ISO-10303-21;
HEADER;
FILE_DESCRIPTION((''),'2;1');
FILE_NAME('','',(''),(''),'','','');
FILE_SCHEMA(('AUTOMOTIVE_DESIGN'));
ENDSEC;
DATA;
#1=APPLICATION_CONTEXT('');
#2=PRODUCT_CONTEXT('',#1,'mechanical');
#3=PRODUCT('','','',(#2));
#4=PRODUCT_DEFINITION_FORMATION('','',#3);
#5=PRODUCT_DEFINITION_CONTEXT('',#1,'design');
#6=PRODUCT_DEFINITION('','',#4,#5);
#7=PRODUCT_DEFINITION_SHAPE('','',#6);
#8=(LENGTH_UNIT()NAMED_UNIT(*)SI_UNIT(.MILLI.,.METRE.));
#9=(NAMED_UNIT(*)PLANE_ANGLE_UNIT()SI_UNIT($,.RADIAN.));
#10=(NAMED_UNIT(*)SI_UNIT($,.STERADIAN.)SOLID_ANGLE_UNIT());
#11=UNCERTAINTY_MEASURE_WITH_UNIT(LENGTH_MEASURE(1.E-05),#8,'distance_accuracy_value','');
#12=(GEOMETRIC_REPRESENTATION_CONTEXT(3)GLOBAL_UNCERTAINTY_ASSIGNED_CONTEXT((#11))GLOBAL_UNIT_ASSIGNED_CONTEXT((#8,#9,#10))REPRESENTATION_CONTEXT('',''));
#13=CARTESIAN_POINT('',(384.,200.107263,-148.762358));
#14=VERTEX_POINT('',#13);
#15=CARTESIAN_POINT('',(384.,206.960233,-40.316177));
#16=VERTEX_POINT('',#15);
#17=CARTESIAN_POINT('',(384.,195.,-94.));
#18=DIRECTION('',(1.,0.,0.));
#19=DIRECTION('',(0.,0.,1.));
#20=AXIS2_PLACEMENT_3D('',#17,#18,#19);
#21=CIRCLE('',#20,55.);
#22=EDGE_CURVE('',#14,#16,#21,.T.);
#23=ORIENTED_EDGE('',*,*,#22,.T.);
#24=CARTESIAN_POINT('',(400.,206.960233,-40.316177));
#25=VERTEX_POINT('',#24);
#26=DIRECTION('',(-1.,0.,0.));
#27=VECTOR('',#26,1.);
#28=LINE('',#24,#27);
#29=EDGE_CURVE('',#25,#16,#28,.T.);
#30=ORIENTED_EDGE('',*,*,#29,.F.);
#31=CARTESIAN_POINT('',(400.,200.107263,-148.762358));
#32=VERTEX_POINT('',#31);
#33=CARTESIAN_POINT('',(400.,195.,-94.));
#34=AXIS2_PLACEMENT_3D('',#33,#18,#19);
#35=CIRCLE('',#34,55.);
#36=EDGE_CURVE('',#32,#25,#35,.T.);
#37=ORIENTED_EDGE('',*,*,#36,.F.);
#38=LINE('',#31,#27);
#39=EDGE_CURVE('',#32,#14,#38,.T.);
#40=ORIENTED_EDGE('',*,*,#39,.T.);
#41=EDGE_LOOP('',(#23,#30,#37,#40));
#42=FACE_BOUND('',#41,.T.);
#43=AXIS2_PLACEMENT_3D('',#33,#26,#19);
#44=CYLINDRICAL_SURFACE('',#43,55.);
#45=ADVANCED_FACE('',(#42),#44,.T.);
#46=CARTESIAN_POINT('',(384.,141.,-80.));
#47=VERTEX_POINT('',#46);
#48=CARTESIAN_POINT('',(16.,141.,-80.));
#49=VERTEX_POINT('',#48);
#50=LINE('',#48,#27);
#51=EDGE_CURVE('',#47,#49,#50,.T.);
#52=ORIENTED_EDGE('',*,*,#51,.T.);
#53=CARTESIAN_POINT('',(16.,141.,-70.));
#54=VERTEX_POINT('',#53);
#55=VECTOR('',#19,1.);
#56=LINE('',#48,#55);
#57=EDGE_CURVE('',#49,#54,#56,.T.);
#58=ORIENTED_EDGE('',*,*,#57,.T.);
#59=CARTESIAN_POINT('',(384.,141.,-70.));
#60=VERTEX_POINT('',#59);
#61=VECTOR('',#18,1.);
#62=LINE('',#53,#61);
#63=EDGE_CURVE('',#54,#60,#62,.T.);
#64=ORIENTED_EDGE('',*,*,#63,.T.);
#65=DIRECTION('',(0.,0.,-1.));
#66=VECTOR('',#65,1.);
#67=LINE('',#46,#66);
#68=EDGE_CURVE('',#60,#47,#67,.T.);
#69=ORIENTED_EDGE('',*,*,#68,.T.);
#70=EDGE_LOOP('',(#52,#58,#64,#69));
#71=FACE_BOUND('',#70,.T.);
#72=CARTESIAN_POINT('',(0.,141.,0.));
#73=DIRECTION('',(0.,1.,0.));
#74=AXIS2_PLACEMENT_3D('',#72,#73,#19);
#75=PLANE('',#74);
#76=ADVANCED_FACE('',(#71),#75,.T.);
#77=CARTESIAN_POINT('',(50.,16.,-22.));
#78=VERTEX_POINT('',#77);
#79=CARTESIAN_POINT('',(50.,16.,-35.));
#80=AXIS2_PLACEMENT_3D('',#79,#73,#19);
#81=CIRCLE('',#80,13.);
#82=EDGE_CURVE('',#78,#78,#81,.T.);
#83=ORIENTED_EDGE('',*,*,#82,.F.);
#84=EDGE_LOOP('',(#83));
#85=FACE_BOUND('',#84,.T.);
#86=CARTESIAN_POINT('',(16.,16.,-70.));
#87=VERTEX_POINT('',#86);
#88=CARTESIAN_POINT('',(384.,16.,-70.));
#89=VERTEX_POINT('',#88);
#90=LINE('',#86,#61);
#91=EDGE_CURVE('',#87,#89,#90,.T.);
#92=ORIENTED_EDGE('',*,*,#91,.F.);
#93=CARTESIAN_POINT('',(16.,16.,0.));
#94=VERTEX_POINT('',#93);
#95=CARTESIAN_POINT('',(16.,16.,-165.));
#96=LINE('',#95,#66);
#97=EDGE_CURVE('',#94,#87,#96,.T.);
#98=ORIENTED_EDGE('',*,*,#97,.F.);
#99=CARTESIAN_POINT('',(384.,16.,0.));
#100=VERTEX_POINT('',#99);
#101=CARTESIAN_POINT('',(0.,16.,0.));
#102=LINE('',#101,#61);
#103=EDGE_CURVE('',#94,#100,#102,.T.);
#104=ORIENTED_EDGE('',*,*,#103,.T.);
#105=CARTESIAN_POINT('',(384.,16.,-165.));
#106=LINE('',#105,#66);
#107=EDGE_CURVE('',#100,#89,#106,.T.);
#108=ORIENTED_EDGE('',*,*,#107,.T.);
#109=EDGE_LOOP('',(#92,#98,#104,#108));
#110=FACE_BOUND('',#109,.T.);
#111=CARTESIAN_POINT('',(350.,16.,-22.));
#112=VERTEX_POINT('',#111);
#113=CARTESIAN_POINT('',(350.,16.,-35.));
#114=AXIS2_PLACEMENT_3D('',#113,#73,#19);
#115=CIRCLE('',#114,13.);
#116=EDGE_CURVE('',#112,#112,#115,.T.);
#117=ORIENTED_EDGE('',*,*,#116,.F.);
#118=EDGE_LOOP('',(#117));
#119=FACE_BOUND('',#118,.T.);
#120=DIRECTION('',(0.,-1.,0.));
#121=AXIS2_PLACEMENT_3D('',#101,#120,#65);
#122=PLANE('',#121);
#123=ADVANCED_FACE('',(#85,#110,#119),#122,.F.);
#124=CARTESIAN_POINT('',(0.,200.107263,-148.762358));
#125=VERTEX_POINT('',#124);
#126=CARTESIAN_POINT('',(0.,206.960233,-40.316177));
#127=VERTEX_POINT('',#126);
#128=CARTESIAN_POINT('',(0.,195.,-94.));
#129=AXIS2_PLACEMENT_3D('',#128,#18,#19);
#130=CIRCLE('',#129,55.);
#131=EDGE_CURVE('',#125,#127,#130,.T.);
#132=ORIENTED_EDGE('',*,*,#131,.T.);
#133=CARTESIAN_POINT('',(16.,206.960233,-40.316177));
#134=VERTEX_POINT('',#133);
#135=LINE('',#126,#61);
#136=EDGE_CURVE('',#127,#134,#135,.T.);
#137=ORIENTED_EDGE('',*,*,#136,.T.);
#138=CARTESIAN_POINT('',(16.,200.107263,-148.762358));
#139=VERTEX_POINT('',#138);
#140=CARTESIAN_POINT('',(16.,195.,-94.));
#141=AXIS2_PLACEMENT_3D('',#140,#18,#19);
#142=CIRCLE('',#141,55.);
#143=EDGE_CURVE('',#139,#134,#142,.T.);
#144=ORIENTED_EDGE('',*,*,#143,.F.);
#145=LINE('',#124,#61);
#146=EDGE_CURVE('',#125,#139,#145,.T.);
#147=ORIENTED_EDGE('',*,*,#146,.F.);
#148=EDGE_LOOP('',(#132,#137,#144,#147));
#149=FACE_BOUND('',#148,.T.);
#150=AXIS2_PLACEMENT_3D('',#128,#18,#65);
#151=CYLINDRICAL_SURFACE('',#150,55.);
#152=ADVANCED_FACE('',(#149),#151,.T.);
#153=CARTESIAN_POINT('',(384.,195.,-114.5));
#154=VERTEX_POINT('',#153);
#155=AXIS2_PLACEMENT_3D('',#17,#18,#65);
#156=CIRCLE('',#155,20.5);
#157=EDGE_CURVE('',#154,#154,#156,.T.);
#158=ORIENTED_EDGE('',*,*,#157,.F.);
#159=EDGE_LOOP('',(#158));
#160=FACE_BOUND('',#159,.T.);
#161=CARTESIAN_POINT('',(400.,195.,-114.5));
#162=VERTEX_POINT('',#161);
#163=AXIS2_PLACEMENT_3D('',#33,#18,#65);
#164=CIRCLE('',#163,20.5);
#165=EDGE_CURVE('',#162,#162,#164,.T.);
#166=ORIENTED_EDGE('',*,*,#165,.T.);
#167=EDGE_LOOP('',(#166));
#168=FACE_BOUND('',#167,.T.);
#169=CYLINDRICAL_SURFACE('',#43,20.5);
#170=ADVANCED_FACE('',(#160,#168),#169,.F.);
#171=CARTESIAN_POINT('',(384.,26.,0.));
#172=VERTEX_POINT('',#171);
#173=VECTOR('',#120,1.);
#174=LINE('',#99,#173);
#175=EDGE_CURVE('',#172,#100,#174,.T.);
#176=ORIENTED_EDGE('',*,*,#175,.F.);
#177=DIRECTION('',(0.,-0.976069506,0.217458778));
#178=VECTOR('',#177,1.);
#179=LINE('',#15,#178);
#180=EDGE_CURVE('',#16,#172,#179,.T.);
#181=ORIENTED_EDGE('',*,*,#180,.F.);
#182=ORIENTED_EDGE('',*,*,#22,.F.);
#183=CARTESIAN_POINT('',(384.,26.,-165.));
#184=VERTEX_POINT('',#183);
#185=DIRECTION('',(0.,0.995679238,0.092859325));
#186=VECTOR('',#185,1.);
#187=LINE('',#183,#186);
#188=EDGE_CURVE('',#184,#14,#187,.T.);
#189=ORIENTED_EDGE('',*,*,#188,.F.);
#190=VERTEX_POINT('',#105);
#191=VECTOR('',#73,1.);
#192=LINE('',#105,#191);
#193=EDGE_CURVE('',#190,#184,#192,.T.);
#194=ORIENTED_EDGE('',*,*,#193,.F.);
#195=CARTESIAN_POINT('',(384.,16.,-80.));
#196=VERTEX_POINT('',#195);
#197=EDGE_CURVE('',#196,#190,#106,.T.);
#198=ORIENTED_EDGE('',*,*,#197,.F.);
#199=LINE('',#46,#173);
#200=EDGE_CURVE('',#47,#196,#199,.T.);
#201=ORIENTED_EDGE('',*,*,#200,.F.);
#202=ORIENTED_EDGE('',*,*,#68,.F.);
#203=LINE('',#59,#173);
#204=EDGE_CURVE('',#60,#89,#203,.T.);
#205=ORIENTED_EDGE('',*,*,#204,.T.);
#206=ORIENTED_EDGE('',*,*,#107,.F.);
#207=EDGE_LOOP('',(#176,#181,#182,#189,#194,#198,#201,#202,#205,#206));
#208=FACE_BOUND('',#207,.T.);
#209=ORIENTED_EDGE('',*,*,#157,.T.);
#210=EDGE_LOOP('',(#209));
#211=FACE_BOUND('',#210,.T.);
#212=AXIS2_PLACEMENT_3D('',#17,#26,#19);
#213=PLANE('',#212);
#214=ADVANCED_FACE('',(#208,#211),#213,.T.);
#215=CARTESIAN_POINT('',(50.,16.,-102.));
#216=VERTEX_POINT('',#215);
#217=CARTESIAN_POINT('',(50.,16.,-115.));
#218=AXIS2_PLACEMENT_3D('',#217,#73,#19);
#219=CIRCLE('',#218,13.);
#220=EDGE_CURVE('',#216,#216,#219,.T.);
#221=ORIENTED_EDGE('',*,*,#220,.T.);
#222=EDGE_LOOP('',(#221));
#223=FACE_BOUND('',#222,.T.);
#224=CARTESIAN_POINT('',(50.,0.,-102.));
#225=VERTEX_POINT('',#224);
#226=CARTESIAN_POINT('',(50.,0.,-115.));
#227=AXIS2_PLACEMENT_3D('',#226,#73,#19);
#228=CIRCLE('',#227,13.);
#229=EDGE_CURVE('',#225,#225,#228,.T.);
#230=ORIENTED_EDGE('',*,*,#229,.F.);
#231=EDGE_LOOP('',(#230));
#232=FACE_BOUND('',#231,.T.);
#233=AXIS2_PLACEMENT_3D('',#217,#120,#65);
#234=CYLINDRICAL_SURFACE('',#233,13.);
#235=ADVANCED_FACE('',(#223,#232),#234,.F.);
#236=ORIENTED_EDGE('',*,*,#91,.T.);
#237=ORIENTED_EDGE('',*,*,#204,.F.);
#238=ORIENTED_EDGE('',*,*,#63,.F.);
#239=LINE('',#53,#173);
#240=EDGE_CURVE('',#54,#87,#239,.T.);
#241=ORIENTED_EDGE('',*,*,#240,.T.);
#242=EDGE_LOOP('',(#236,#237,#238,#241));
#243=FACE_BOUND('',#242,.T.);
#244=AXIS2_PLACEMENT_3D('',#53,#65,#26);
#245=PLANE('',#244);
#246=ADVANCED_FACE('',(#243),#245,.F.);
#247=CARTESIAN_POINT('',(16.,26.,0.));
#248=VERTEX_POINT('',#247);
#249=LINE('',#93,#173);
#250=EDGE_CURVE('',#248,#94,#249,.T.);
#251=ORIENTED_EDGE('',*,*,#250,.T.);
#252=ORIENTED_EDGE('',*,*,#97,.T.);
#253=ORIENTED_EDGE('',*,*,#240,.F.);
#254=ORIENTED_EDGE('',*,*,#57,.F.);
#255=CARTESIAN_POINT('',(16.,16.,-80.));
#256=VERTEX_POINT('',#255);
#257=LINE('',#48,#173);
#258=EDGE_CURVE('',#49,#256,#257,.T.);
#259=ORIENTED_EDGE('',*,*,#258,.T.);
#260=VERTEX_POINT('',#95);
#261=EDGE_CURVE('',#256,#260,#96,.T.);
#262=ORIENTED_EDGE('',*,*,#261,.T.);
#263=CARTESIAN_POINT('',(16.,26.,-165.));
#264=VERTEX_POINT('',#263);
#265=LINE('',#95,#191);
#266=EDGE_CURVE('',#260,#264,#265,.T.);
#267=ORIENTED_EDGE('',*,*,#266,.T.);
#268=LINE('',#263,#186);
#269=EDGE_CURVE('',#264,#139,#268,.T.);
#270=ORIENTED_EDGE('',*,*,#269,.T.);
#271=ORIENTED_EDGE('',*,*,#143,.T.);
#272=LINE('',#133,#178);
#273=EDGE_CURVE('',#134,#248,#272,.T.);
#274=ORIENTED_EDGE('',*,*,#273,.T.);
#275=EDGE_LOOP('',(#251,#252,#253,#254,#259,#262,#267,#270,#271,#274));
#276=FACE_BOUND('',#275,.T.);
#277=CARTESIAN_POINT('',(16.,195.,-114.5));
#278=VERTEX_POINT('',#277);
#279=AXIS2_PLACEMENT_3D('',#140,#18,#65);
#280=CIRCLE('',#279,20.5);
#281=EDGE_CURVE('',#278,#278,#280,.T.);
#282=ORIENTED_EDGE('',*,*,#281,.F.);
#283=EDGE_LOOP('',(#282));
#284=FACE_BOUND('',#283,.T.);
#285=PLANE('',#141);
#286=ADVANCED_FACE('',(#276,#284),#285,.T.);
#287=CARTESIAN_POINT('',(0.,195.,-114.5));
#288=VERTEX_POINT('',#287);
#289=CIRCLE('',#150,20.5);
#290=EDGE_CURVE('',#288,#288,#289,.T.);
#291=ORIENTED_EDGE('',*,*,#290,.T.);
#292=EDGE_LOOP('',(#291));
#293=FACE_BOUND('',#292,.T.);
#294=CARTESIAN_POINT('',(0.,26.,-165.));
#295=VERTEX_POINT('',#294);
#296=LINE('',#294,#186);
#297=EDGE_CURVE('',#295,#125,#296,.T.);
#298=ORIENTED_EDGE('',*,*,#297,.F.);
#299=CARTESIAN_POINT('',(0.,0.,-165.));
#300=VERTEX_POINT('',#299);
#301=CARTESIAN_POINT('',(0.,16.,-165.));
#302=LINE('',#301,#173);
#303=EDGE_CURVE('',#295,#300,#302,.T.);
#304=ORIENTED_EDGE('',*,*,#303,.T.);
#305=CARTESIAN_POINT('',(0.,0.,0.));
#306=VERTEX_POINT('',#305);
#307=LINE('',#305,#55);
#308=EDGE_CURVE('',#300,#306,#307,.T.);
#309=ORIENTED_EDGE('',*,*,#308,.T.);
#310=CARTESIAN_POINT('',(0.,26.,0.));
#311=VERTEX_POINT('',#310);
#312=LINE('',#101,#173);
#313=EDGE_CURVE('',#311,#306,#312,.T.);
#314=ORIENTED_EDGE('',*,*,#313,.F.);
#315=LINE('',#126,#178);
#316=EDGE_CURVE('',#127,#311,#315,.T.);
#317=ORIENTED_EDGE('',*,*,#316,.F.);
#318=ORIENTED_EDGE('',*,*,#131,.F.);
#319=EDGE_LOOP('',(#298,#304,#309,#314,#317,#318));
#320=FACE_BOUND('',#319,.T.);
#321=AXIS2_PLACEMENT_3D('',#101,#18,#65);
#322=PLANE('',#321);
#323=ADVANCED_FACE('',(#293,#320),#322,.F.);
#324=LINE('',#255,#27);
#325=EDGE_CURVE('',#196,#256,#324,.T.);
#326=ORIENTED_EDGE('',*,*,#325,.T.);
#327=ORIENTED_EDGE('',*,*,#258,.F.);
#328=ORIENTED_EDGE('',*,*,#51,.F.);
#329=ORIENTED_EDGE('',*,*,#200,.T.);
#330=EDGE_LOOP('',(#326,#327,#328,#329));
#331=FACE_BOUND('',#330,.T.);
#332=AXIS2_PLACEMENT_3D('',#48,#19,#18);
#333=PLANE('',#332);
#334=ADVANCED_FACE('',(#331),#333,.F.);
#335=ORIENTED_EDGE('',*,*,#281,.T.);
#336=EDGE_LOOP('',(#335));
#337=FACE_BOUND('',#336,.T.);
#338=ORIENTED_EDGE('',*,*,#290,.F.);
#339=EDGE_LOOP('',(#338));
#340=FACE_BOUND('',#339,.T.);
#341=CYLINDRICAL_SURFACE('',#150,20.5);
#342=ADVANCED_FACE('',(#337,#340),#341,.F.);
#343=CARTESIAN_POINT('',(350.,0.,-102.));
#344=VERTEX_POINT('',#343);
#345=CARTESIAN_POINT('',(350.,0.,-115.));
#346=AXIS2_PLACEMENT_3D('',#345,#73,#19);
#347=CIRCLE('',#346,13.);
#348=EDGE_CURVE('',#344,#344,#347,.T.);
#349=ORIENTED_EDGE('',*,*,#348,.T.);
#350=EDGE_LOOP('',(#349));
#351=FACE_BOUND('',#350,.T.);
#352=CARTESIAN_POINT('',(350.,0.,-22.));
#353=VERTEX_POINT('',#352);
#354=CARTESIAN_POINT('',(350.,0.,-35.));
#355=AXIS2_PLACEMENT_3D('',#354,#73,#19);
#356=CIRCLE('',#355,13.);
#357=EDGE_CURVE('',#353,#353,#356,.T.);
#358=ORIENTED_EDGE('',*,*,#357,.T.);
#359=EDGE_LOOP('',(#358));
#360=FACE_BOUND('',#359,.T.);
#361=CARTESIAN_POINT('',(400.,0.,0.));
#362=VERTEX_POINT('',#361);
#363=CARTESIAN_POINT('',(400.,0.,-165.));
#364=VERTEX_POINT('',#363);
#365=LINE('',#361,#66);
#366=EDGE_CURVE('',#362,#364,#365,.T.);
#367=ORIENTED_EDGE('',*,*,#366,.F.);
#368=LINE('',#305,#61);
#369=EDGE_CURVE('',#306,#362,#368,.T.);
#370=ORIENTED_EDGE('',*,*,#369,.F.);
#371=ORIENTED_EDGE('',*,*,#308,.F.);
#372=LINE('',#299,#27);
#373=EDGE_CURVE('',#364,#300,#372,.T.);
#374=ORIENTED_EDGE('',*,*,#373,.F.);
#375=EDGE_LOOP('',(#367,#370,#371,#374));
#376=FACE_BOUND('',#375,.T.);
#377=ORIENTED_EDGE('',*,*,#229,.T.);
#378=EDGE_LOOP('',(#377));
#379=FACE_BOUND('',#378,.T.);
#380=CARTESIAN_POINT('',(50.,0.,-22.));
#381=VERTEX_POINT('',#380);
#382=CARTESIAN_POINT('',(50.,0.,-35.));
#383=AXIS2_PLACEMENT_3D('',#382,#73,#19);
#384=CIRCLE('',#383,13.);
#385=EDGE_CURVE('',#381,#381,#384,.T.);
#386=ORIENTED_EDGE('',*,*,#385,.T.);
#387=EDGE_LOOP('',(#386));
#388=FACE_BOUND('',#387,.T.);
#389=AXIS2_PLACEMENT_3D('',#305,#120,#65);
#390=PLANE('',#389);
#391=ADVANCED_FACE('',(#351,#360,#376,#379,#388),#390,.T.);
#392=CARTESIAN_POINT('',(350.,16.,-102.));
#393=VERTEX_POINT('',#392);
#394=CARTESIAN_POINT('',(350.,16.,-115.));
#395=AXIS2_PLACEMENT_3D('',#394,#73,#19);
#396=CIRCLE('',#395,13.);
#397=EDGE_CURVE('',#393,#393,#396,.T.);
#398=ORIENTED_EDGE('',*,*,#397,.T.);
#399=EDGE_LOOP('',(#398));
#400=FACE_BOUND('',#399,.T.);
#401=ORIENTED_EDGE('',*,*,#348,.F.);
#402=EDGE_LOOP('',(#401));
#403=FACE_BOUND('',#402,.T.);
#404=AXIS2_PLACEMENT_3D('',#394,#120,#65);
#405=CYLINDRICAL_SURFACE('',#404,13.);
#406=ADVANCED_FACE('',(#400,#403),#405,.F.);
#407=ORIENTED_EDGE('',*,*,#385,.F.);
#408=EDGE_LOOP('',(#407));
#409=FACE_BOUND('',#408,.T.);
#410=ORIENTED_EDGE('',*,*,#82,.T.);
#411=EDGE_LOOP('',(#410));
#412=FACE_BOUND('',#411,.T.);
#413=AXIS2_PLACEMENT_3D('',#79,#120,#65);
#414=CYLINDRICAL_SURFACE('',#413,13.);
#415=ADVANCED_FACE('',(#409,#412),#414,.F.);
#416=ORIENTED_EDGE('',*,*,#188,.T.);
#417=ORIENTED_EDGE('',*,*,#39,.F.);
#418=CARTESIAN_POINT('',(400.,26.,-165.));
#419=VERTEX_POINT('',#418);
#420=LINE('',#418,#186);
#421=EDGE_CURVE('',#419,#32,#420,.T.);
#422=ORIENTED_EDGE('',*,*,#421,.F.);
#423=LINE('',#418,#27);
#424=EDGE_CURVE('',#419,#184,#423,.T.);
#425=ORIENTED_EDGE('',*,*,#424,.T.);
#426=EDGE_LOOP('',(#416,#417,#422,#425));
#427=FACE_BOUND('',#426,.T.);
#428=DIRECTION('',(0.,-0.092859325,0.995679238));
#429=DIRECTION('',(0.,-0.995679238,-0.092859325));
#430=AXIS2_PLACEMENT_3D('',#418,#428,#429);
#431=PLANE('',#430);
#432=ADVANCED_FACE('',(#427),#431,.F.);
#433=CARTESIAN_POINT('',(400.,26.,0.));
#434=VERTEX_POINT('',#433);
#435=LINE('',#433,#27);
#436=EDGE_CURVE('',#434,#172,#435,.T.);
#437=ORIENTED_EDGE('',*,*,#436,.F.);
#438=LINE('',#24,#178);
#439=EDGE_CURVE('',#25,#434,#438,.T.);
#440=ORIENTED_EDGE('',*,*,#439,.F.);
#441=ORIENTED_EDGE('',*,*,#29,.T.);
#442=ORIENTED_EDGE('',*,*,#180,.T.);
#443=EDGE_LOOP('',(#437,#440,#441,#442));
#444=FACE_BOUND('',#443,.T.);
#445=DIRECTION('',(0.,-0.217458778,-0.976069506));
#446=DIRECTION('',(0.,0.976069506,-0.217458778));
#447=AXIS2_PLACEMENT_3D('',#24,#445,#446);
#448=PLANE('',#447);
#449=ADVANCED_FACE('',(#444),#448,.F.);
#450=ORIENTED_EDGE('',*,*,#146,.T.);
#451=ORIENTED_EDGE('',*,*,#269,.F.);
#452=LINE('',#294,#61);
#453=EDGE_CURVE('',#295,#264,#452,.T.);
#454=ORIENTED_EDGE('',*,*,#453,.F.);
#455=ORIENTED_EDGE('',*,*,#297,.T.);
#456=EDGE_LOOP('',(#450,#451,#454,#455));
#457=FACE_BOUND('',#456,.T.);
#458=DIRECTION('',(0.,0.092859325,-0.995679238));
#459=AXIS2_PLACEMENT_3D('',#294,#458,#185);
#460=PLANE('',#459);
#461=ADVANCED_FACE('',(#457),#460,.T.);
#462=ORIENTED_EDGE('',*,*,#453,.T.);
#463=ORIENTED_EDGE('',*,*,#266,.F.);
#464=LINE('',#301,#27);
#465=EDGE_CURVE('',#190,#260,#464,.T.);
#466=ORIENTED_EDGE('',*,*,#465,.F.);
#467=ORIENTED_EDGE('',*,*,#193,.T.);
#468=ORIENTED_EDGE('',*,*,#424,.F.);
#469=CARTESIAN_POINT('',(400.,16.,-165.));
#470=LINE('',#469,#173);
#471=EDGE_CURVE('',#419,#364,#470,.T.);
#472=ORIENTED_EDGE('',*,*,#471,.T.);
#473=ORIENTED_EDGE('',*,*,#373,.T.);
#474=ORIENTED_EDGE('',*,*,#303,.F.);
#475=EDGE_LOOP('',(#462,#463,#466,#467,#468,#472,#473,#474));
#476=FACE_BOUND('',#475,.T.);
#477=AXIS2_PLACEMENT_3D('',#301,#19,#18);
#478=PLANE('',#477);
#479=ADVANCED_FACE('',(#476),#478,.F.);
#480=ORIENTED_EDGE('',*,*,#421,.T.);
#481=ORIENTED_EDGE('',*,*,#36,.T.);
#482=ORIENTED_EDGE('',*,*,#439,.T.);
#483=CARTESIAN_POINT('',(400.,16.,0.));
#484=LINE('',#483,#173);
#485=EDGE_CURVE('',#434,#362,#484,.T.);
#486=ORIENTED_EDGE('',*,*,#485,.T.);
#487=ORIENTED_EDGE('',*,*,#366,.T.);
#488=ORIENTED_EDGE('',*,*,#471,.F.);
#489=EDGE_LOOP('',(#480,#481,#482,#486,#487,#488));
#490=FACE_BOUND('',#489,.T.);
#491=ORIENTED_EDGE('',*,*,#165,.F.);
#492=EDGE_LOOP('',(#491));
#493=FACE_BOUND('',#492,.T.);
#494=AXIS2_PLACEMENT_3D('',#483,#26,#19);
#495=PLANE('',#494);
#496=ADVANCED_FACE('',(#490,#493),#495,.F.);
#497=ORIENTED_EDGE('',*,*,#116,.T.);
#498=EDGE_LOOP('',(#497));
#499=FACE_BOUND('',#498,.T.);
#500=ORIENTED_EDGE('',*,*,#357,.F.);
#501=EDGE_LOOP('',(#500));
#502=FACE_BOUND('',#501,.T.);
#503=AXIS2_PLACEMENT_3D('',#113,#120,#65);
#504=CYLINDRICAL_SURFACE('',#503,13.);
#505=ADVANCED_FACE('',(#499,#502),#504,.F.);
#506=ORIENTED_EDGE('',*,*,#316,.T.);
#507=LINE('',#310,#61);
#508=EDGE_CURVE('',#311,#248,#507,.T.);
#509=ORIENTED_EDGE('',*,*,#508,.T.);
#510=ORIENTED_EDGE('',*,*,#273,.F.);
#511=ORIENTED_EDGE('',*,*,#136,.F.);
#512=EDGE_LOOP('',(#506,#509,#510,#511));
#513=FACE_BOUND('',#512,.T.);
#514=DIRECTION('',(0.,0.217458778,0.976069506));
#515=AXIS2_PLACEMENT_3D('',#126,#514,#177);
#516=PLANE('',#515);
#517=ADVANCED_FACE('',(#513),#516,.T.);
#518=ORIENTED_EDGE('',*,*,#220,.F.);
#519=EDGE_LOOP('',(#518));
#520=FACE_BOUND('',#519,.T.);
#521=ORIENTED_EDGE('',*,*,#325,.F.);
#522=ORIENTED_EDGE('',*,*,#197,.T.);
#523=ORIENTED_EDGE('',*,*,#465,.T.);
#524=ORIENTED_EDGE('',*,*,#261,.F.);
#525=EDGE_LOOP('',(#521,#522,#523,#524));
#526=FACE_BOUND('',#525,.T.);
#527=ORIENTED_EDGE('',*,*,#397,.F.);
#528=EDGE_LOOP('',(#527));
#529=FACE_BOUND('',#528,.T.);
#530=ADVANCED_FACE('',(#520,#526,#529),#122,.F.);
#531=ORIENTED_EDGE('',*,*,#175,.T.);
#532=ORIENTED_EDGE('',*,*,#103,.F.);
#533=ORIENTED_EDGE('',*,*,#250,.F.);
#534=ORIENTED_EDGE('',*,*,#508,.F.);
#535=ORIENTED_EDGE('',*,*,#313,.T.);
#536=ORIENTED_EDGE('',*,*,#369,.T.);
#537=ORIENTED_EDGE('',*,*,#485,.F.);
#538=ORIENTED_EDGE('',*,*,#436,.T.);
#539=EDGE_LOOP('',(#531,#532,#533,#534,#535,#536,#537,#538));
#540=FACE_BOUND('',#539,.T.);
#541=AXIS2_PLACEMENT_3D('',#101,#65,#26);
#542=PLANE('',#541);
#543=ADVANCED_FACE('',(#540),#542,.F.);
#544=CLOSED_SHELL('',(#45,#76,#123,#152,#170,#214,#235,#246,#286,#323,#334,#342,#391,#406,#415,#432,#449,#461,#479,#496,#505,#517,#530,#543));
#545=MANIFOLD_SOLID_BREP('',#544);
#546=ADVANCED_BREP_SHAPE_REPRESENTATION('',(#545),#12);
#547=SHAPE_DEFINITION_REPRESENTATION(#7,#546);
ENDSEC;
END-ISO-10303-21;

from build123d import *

# Parameters (mm, degrees)
SKETCH_1_W      = 400
SKETCH_1_H      = 165
SKETCH_1_R      = 13
EXTRUDE_1_DEPTH = 16
SKETCH_2_W      = 368
SKETCH_2_H      = 10
EXTRUDE_2_DEPTH = 125
SKETCH_3_R      = 20.5
EXTRUDE_3_DEPTH = 16


with BuildPart() as part:
    # 草图1 → 凸台-拉伸1 (new body)
    with BuildSketch(Plane(origin=(0, 0, 0), x_dir=(1, 0, 0), z_dir=(0, 1, 0))):
        with Locations((200, 82.5)):
            Rectangle(SKETCH_1_W, SKETCH_1_H)
        with Locations(Location((350, 115, 0), (0, 0, 270))):
            Circle(SKETCH_1_R, mode=Mode.SUBTRACT)
        with Locations(Location((50, 115, 0), (0, 0, 270))):
            Circle(SKETCH_1_R, mode=Mode.SUBTRACT)
        with Locations(Location((50, 35, 0), (0, 0, 270))):
            Circle(SKETCH_1_R, mode=Mode.SUBTRACT)
        with Locations(Location((350, 35, 0), (0, 0, 270))):
            Circle(SKETCH_1_R, mode=Mode.SUBTRACT)
    extrude(amount=EXTRUDE_1_DEPTH)

    # 草图2 → 凸台-拉伸2 (add)
    with BuildSketch(Plane(origin=(0, 16, 0), x_dir=(1, 0, 0), z_dir=(0, 1, 0))):
        with Locations((200, 75)):
            Rectangle(SKETCH_2_W, SKETCH_2_H)
    extrude(amount=EXTRUDE_2_DEPTH)

    # 草图3 → 凸台-拉伸3 (add)
    with BuildSketch(Plane(origin=(384, 0, 0), x_dir=(0, 0, -1), z_dir=(1, 0, 0))):
        with BuildLine():
            Line((165, 16), (165, 26))
            Line((165, 26), (148.762358111, 200.107262875))
            ThreePointArc((148.762358111, 200.107262875), (97.468660954, 249.890512761), (40.316177192, 206.960232804))
            Line((40.316177192, 206.960232804), (0, 26))
            Line((0, 26), (0, 16))
            Line((0, 16), (165, 16))
        make_face()
        with Locations((94, 195)):
            Circle(SKETCH_3_R, mode=Mode.SUBTRACT)
    extrude_3 = extrude(amount=EXTRUDE_3_DEPTH)

    # 镜向1: 凸台-拉伸3 across plane
    add(extrude_3.mirror(Plane(origin=(200, 0, 0), x_dir=(0, 0, 1), z_dir=(1, 0, 0))))


solid = part.part
